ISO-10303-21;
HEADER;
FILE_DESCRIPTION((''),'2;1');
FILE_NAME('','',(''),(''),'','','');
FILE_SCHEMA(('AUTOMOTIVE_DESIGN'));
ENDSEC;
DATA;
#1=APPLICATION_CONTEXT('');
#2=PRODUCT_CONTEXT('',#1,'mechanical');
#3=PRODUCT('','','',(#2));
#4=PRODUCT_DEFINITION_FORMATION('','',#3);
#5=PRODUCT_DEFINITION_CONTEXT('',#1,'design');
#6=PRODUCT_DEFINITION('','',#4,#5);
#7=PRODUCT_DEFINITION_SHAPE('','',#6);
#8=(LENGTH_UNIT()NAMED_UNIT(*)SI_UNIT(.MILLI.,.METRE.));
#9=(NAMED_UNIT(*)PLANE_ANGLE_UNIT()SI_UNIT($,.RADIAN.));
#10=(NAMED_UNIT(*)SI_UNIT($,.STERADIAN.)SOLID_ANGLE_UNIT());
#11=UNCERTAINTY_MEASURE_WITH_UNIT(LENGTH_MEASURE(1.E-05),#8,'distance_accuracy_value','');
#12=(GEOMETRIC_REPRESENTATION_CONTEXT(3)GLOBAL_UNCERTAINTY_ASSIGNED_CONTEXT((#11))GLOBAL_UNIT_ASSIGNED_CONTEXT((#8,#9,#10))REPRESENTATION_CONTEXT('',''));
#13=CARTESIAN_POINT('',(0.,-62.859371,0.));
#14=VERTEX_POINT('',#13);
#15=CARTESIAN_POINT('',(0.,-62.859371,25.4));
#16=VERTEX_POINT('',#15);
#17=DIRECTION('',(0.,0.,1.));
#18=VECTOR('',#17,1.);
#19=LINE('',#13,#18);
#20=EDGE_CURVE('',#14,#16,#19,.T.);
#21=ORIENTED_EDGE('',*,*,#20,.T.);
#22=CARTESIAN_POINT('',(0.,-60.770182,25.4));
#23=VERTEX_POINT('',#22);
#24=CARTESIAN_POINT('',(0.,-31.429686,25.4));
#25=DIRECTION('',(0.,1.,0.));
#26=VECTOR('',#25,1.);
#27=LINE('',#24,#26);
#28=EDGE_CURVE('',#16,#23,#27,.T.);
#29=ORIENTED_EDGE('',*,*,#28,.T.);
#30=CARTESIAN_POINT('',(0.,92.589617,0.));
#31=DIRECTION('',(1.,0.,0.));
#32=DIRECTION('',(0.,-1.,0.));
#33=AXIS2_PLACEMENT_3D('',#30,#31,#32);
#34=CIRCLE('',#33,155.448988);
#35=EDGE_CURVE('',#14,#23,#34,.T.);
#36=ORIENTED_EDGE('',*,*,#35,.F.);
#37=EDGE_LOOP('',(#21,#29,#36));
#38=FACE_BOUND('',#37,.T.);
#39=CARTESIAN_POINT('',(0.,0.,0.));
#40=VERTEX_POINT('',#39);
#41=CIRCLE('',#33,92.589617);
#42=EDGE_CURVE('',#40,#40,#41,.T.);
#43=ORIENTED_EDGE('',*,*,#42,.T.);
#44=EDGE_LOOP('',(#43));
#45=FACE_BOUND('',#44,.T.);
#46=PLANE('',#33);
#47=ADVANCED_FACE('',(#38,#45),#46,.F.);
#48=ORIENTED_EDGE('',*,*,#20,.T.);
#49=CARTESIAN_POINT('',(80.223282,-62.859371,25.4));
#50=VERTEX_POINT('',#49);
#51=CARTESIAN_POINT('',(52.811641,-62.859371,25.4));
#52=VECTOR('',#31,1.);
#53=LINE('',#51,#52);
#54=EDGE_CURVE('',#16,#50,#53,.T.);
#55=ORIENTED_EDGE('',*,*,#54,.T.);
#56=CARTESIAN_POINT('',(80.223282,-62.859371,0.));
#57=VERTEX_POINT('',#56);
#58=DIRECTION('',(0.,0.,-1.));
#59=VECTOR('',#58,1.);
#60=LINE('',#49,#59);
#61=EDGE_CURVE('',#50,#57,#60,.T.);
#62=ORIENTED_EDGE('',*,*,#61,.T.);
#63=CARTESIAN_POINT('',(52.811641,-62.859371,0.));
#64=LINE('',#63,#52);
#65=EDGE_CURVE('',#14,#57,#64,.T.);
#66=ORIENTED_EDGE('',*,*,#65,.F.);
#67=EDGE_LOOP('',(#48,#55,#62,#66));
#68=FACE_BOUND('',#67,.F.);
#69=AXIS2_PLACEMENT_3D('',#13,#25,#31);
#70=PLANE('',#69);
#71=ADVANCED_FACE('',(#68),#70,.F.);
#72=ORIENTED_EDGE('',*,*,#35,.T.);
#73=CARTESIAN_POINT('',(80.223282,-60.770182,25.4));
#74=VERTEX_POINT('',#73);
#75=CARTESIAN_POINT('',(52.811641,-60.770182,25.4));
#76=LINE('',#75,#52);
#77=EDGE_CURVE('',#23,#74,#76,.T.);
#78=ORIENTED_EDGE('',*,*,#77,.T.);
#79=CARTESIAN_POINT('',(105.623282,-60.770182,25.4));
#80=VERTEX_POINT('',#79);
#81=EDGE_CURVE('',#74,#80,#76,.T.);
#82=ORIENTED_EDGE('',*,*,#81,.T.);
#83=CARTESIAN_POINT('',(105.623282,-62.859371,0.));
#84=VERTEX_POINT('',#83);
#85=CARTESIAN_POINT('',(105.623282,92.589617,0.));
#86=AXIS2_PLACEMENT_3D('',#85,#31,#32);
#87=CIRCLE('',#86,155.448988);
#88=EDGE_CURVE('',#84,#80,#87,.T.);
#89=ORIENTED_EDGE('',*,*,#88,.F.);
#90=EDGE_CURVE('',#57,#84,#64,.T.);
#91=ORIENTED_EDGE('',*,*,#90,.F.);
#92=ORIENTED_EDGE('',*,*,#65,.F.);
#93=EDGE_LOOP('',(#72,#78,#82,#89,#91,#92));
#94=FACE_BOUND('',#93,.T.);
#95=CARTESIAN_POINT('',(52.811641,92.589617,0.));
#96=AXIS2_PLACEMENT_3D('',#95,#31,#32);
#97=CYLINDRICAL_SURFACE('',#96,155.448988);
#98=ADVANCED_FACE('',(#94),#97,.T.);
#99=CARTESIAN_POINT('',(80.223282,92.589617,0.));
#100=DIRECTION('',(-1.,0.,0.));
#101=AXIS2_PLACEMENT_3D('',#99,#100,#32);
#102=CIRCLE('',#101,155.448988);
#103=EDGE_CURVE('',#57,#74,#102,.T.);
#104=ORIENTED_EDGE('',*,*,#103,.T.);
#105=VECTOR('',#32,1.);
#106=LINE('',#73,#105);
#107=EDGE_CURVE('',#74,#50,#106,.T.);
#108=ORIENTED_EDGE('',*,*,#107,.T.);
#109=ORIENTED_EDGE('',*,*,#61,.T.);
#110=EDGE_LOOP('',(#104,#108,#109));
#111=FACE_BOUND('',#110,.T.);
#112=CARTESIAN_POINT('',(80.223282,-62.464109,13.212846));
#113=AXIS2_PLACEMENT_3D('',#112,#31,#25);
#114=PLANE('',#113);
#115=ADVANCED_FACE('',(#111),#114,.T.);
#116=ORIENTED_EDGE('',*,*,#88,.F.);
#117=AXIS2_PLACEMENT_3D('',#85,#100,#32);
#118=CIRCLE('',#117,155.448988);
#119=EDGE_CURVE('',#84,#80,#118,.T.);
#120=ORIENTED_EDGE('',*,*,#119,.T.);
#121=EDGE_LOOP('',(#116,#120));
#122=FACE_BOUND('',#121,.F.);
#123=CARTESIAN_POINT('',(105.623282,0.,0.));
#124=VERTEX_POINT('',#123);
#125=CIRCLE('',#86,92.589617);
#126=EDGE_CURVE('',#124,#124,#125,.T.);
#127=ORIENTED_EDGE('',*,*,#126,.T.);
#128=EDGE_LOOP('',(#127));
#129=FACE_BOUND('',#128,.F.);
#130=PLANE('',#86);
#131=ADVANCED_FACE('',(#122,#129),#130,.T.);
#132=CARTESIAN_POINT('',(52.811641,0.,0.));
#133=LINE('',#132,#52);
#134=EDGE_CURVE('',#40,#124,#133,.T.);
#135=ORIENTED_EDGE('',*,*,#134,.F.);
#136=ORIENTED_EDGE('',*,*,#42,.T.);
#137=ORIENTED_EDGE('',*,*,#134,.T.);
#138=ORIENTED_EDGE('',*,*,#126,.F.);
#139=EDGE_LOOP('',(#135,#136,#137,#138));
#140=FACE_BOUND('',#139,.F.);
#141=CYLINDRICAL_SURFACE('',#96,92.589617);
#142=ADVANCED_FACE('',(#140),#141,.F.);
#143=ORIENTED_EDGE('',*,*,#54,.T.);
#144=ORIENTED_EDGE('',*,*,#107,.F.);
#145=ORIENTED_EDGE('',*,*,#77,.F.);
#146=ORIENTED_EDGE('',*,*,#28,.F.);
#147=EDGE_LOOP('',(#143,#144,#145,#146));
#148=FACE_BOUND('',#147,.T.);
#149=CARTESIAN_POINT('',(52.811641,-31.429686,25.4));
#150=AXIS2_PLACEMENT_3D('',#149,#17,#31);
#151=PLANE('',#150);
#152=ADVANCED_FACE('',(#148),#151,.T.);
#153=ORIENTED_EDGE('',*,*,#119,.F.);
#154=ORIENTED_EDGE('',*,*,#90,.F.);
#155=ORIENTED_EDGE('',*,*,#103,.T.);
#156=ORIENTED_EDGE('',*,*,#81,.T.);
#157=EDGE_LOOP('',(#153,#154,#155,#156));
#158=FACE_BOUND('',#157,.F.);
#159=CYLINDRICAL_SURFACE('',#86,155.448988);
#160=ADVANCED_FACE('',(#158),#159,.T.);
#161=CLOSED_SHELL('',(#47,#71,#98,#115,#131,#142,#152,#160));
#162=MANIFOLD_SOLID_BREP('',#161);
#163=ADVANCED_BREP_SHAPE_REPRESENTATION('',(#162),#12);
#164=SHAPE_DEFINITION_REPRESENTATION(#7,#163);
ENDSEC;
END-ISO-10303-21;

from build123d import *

# Parameters (mm, degrees)
F0_W      = 105.6232824922
F0_H      = 62.8593713045
F1_DEPTH  = 25.4
F1_FACE_W = 105.6232824922
F1_FACE_H = 62.8593713045
F5_DEPTH  = 25.4


with BuildPart() as f1:
    # F0 (on Top) → F1 (new body)
    with BuildSketch(Plane.XY):
        with Locations((52.8116412461, -31.4296856523)):
            Rectangle(F0_W, F0_H)
    extrude(amount=F1_DEPTH)

    # F1_face (on face) → F3 (revolve)
    with BuildSketch(Plane(origin=(52.8116412461, -31.4296856523, 0), x_dir=(1, 0, 0), z_dir=(0, 0, -1))):
        Rectangle(F1_FACE_W, F1_FACE_H)
    revolve(axis=Axis((0, 92.5896167755, 0), (1, 0, 0)))

    # F4 (on face) → F5 (cut)
    with BuildSketch(Plane.YZ.offset(105.6232824922)):
        with BuildLine():
            ThreePointArc((-62.8593713045, 0), (-62.3361935892, 12.742887347), (-60.7701820477, 25.4))
            Line((-60.7701820477, 25.4), (-62.8593713045, 25.4))
            Line((-62.8593713045, 25.4), (-62.8593713045, 0))
        make_face()
    extrude(amount=-F5_DEPTH, mode=Mode.SUBTRACT)


solid = f1.part
